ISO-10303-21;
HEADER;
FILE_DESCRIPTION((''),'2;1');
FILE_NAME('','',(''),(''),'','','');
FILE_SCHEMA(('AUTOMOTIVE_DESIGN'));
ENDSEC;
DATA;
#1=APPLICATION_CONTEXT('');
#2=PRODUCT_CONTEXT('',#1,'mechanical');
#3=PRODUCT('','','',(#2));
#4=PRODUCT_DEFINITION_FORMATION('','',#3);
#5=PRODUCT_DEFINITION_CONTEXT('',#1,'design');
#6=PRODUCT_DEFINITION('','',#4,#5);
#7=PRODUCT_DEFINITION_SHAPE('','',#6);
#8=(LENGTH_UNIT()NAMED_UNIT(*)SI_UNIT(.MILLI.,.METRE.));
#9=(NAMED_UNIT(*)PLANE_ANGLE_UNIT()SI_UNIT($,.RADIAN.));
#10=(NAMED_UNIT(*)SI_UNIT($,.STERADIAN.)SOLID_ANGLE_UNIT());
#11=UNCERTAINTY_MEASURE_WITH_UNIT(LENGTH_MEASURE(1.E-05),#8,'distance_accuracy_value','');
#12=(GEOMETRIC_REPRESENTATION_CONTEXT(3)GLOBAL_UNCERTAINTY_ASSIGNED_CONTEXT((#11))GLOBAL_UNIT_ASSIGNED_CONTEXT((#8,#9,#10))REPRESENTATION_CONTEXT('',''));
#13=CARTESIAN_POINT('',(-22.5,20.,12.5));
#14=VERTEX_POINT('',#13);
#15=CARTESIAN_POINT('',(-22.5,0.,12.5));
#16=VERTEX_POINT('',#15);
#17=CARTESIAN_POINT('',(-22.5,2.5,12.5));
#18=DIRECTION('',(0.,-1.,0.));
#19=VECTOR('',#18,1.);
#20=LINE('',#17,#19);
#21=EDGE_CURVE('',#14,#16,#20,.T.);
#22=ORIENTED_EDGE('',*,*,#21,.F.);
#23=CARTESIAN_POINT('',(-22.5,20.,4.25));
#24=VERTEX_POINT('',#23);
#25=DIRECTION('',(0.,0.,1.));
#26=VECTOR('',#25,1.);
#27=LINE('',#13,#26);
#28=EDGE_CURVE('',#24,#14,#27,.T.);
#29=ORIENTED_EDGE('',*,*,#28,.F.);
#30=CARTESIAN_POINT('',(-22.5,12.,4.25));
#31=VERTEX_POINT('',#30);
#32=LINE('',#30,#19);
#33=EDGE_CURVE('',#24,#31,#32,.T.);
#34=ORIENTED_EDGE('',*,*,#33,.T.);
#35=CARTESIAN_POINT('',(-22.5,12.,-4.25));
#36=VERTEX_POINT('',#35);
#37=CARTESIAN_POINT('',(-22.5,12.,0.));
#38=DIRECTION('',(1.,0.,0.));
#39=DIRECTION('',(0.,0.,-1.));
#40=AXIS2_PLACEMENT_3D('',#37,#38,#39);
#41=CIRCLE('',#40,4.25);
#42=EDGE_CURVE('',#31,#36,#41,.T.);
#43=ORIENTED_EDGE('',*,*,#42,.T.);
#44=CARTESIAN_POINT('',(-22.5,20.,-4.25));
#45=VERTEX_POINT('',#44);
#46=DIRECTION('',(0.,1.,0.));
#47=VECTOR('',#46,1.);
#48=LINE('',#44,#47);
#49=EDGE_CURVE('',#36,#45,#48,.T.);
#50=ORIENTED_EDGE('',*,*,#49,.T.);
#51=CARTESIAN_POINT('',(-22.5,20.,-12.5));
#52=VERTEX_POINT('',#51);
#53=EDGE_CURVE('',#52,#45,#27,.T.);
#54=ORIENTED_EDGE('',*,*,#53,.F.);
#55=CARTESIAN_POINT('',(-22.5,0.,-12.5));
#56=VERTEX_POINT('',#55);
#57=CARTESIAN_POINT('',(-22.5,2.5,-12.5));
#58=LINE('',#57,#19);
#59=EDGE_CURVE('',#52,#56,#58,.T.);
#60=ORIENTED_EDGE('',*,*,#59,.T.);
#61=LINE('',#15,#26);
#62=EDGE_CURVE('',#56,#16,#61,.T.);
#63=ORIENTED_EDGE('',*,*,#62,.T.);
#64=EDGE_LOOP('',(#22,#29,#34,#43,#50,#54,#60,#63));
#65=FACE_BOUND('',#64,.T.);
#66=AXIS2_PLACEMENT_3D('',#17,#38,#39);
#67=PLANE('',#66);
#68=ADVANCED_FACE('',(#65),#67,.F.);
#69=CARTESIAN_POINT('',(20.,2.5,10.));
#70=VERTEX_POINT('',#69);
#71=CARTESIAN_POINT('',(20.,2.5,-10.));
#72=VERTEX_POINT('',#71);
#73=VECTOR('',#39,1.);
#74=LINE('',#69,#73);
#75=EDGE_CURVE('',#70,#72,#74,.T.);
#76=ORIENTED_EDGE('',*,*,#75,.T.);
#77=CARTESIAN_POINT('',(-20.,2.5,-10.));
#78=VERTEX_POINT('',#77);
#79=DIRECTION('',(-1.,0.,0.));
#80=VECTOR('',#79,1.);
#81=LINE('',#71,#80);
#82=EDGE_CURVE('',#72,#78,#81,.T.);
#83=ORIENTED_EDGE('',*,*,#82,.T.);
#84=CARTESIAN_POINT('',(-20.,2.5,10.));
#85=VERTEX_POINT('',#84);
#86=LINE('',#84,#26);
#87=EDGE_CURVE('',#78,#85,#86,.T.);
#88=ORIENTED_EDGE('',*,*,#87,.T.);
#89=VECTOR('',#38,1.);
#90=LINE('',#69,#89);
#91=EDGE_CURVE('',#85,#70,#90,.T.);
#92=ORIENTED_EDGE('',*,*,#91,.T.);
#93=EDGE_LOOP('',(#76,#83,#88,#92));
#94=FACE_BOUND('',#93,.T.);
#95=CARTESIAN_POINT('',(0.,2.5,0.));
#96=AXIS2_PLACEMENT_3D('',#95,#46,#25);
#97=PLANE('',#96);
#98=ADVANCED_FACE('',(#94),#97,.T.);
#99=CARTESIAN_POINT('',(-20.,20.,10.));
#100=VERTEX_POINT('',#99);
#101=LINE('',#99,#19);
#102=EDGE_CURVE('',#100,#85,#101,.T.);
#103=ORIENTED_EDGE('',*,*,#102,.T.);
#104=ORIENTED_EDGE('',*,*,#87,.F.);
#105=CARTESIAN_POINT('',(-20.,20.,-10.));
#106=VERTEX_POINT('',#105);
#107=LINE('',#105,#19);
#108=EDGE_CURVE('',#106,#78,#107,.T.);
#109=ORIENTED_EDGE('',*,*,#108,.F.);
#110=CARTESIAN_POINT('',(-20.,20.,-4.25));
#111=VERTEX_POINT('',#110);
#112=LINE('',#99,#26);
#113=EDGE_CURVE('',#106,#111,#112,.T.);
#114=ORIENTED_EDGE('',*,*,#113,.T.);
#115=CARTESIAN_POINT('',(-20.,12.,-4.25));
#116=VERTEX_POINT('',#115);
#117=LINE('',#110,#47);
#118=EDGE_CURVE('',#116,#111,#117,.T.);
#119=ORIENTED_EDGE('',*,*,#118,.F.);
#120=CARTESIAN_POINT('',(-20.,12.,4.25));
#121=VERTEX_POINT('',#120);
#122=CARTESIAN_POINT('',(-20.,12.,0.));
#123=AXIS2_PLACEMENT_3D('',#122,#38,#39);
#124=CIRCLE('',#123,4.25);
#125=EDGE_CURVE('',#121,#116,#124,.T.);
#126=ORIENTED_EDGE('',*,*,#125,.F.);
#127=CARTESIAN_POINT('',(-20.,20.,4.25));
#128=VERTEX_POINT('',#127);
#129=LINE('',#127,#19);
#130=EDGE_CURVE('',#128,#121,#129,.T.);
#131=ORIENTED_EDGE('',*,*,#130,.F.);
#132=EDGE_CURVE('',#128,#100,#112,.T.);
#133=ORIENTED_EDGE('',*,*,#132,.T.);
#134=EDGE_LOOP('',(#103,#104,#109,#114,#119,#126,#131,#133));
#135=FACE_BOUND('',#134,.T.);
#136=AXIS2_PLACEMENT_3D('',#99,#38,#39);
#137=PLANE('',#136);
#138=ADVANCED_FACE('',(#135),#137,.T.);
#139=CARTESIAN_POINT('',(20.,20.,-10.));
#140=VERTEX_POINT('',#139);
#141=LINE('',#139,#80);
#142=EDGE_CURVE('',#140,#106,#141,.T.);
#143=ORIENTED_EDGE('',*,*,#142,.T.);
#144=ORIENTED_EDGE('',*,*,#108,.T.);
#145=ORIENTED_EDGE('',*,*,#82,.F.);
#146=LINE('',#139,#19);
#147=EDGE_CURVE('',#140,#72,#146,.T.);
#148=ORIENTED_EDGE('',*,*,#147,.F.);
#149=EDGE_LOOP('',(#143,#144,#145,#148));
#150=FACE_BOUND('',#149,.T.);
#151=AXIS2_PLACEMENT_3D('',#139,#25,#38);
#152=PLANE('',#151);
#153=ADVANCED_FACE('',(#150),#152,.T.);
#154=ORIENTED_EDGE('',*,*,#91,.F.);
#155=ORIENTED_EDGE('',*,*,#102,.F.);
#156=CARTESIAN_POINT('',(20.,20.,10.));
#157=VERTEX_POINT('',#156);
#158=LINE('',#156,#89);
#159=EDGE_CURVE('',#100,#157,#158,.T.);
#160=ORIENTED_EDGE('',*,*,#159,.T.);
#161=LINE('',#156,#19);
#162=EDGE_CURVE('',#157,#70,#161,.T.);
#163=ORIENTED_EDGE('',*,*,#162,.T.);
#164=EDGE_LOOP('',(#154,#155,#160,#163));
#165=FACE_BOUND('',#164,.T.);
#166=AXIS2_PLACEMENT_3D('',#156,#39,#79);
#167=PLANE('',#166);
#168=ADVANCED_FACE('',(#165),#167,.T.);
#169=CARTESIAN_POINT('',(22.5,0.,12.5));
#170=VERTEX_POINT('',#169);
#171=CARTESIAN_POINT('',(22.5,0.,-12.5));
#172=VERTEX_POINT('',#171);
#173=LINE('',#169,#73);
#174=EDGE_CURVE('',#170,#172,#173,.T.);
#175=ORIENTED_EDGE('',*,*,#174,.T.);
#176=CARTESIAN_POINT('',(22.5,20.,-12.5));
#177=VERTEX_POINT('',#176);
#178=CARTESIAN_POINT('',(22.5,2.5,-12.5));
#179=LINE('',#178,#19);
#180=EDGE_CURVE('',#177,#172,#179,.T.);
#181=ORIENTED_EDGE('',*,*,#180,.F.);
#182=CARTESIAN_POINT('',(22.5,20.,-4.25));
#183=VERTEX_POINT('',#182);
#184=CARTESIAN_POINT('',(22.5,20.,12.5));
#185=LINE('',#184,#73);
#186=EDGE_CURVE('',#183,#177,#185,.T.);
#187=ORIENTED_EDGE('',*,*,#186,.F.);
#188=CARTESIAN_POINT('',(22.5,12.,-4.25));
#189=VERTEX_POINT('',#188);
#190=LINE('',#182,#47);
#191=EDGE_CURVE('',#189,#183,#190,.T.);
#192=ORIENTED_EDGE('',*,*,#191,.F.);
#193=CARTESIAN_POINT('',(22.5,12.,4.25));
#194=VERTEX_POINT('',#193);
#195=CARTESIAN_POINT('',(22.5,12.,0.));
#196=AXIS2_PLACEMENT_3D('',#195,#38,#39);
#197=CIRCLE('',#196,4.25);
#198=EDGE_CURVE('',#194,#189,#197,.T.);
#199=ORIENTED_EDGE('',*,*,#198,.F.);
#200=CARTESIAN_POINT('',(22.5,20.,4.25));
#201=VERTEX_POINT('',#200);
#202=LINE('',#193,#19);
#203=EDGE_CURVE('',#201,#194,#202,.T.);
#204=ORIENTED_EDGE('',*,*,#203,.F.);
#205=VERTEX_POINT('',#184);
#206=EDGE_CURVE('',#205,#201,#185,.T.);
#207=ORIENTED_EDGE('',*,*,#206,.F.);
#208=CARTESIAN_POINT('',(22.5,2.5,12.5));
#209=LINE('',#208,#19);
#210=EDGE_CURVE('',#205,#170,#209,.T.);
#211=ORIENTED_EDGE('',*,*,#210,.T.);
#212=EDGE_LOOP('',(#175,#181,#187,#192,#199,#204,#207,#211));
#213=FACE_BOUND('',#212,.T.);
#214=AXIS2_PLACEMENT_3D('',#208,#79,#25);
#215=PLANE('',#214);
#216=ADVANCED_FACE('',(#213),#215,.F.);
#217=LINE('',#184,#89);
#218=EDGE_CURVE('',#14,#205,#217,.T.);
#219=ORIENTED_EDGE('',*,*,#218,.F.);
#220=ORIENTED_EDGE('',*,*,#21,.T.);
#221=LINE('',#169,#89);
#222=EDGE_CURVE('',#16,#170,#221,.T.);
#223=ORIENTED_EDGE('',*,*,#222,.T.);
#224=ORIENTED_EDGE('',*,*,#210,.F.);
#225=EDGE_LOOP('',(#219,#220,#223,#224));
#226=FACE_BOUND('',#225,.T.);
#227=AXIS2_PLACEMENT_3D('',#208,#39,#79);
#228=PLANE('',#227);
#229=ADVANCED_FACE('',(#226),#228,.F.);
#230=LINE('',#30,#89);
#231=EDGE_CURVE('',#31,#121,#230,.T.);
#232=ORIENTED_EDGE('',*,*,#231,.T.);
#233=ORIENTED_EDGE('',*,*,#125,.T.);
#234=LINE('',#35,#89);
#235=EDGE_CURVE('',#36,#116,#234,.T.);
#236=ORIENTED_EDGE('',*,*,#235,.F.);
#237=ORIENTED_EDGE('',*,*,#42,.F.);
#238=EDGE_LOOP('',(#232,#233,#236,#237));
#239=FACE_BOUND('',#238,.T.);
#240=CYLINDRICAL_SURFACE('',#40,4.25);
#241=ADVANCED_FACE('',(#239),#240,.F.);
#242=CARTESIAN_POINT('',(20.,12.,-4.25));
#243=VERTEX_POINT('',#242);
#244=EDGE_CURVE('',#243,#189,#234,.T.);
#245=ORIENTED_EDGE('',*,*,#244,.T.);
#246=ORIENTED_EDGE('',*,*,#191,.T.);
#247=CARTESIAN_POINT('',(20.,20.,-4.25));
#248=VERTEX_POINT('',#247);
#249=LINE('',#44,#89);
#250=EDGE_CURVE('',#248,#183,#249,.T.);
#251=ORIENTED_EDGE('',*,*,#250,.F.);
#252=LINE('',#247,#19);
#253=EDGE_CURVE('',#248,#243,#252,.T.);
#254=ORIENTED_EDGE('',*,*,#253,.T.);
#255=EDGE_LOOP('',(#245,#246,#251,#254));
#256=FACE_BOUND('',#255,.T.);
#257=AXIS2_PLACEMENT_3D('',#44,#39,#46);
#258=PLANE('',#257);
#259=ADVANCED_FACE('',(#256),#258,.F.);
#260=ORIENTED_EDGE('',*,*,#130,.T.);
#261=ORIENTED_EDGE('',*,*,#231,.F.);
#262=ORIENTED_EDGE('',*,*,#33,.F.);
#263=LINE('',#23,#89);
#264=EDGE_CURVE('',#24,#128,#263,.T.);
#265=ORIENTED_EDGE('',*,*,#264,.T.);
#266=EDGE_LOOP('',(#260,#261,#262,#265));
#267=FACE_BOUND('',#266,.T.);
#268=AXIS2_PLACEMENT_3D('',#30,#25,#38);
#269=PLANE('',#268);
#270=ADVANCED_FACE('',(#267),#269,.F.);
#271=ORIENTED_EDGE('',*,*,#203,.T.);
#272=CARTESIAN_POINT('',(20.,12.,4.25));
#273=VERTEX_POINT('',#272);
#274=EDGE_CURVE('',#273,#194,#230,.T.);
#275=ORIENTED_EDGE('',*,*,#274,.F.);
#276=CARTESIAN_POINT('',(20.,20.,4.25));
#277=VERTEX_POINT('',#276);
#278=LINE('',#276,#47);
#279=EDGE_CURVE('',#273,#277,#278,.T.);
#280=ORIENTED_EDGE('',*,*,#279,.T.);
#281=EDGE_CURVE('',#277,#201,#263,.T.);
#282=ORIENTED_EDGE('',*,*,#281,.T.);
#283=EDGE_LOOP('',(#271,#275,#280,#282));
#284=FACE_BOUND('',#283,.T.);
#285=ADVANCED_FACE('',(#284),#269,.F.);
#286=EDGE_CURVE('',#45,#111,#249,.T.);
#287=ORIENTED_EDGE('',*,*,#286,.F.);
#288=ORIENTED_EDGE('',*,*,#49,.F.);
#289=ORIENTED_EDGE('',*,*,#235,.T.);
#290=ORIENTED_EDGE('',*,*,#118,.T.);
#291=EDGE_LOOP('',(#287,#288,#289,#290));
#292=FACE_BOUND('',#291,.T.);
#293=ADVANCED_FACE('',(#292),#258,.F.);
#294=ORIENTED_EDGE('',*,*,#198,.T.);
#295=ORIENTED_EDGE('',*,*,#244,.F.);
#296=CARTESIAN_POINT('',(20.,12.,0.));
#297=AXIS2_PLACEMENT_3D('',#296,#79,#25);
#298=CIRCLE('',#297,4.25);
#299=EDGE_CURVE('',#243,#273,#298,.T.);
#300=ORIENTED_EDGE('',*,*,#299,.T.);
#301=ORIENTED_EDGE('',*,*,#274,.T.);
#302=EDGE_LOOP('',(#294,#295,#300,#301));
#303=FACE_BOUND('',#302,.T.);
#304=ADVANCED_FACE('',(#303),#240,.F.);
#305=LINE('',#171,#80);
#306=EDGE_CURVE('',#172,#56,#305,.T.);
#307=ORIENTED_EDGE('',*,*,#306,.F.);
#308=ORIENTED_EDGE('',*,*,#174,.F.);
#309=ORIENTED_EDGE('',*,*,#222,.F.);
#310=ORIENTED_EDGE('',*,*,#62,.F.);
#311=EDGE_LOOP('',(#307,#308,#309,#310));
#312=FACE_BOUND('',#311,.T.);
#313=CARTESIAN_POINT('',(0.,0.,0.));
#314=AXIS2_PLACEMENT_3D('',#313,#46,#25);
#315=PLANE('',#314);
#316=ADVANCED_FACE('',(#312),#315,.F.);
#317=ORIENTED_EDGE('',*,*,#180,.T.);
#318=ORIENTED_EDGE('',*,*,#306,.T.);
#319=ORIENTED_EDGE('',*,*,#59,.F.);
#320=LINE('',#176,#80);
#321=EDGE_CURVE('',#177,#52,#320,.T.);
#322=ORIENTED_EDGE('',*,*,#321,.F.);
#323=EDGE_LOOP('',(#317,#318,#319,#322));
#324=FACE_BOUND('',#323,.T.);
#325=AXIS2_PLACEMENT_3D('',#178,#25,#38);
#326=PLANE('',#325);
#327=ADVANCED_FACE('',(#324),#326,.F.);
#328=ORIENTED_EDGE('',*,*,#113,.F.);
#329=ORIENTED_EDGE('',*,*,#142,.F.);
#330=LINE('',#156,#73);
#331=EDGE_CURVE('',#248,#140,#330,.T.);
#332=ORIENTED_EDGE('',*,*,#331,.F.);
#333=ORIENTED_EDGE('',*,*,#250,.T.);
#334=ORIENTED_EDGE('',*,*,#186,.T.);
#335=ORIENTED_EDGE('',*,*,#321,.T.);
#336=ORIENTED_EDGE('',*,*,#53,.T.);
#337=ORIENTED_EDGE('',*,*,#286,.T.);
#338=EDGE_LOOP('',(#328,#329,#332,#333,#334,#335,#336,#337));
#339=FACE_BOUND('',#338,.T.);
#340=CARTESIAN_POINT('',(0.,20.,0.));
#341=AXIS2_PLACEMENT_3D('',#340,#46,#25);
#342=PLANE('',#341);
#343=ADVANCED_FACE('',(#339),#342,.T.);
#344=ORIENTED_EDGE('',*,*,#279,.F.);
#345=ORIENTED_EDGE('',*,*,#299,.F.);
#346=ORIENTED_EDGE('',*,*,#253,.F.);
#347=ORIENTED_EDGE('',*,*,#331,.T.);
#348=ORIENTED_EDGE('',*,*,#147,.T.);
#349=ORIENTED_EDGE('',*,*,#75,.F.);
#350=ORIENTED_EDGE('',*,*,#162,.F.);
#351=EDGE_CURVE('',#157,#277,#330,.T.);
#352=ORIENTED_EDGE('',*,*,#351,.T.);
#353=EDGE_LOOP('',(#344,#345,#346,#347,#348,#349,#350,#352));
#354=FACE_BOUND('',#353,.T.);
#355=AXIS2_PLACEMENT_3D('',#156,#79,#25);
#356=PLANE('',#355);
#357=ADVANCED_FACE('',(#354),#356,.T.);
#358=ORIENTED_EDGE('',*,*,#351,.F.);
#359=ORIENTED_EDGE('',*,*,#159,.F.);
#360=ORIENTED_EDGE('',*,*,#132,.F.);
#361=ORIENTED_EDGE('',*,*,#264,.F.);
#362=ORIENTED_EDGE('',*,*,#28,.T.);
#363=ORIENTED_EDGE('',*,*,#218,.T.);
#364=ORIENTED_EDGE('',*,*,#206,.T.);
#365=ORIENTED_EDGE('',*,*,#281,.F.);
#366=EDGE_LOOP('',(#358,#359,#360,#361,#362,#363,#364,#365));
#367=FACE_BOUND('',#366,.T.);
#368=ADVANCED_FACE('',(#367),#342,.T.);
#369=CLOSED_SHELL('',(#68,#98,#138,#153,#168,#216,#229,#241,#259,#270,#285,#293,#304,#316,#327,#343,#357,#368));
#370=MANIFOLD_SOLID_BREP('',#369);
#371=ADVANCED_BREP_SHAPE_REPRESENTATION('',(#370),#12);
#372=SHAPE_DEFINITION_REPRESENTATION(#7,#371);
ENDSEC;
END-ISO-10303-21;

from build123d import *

# Parameters (mm, degrees)
SKETCH1_W           = 45
SKETCH1_H           = 25
BOSS_EXTRUDE1_DEPTH = 2.5
SKETCH2_W           = 45
SKETCH2_H           = 25
SKETCH2_W_2         = 40
SKETCH2_H_2         = 20
BOSS_EXTRUDE2_DEPTH = 17.5
CUT_EXTRUDE1_DEPTH  = 46


with BuildPart() as part:
    # Sketch1 → Boss-Extrude1 (new body)
    with BuildSketch(Plane(origin=(0, 0, 0), x_dir=(1, 0, 0), z_dir=(0, 1, 0))):
        Rectangle(SKETCH1_W, SKETCH1_H)
    extrude(amount=BOSS_EXTRUDE1_DEPTH)

    # Sketch2 → Boss-Extrude2 (add)
    with BuildSketch(Plane(origin=(0, 2.5, 0), x_dir=(1, 0, 0), z_dir=(0, 1, 0))):
        Rectangle(SKETCH2_W, SKETCH2_H)
        Rectangle(SKETCH2_W_2, SKETCH2_H_2, mode=Mode.SUBTRACT)
    extrude(amount=BOSS_EXTRUDE2_DEPTH)

    # Sketch3 → Cut-Extrude1 (cut, through all)
    with BuildSketch(Plane(origin=(22.5, 0, 0), x_dir=(0, 0, -1), z_dir=(1, 0, 0))):
        with BuildLine():
            Line((-4.25, 12), (-4.25, 20))
            Line((-4.25, 20), (4.25, 20))
            Line((4.25, 20), (4.25, 12))
            ThreePointArc((4.25, 12), (0, 7.75), (-4.25, 12))
        make_face()
    extrude(amount=-CUT_EXTRUDE1_DEPTH, mode=Mode.SUBTRACT)


solid = part.part
